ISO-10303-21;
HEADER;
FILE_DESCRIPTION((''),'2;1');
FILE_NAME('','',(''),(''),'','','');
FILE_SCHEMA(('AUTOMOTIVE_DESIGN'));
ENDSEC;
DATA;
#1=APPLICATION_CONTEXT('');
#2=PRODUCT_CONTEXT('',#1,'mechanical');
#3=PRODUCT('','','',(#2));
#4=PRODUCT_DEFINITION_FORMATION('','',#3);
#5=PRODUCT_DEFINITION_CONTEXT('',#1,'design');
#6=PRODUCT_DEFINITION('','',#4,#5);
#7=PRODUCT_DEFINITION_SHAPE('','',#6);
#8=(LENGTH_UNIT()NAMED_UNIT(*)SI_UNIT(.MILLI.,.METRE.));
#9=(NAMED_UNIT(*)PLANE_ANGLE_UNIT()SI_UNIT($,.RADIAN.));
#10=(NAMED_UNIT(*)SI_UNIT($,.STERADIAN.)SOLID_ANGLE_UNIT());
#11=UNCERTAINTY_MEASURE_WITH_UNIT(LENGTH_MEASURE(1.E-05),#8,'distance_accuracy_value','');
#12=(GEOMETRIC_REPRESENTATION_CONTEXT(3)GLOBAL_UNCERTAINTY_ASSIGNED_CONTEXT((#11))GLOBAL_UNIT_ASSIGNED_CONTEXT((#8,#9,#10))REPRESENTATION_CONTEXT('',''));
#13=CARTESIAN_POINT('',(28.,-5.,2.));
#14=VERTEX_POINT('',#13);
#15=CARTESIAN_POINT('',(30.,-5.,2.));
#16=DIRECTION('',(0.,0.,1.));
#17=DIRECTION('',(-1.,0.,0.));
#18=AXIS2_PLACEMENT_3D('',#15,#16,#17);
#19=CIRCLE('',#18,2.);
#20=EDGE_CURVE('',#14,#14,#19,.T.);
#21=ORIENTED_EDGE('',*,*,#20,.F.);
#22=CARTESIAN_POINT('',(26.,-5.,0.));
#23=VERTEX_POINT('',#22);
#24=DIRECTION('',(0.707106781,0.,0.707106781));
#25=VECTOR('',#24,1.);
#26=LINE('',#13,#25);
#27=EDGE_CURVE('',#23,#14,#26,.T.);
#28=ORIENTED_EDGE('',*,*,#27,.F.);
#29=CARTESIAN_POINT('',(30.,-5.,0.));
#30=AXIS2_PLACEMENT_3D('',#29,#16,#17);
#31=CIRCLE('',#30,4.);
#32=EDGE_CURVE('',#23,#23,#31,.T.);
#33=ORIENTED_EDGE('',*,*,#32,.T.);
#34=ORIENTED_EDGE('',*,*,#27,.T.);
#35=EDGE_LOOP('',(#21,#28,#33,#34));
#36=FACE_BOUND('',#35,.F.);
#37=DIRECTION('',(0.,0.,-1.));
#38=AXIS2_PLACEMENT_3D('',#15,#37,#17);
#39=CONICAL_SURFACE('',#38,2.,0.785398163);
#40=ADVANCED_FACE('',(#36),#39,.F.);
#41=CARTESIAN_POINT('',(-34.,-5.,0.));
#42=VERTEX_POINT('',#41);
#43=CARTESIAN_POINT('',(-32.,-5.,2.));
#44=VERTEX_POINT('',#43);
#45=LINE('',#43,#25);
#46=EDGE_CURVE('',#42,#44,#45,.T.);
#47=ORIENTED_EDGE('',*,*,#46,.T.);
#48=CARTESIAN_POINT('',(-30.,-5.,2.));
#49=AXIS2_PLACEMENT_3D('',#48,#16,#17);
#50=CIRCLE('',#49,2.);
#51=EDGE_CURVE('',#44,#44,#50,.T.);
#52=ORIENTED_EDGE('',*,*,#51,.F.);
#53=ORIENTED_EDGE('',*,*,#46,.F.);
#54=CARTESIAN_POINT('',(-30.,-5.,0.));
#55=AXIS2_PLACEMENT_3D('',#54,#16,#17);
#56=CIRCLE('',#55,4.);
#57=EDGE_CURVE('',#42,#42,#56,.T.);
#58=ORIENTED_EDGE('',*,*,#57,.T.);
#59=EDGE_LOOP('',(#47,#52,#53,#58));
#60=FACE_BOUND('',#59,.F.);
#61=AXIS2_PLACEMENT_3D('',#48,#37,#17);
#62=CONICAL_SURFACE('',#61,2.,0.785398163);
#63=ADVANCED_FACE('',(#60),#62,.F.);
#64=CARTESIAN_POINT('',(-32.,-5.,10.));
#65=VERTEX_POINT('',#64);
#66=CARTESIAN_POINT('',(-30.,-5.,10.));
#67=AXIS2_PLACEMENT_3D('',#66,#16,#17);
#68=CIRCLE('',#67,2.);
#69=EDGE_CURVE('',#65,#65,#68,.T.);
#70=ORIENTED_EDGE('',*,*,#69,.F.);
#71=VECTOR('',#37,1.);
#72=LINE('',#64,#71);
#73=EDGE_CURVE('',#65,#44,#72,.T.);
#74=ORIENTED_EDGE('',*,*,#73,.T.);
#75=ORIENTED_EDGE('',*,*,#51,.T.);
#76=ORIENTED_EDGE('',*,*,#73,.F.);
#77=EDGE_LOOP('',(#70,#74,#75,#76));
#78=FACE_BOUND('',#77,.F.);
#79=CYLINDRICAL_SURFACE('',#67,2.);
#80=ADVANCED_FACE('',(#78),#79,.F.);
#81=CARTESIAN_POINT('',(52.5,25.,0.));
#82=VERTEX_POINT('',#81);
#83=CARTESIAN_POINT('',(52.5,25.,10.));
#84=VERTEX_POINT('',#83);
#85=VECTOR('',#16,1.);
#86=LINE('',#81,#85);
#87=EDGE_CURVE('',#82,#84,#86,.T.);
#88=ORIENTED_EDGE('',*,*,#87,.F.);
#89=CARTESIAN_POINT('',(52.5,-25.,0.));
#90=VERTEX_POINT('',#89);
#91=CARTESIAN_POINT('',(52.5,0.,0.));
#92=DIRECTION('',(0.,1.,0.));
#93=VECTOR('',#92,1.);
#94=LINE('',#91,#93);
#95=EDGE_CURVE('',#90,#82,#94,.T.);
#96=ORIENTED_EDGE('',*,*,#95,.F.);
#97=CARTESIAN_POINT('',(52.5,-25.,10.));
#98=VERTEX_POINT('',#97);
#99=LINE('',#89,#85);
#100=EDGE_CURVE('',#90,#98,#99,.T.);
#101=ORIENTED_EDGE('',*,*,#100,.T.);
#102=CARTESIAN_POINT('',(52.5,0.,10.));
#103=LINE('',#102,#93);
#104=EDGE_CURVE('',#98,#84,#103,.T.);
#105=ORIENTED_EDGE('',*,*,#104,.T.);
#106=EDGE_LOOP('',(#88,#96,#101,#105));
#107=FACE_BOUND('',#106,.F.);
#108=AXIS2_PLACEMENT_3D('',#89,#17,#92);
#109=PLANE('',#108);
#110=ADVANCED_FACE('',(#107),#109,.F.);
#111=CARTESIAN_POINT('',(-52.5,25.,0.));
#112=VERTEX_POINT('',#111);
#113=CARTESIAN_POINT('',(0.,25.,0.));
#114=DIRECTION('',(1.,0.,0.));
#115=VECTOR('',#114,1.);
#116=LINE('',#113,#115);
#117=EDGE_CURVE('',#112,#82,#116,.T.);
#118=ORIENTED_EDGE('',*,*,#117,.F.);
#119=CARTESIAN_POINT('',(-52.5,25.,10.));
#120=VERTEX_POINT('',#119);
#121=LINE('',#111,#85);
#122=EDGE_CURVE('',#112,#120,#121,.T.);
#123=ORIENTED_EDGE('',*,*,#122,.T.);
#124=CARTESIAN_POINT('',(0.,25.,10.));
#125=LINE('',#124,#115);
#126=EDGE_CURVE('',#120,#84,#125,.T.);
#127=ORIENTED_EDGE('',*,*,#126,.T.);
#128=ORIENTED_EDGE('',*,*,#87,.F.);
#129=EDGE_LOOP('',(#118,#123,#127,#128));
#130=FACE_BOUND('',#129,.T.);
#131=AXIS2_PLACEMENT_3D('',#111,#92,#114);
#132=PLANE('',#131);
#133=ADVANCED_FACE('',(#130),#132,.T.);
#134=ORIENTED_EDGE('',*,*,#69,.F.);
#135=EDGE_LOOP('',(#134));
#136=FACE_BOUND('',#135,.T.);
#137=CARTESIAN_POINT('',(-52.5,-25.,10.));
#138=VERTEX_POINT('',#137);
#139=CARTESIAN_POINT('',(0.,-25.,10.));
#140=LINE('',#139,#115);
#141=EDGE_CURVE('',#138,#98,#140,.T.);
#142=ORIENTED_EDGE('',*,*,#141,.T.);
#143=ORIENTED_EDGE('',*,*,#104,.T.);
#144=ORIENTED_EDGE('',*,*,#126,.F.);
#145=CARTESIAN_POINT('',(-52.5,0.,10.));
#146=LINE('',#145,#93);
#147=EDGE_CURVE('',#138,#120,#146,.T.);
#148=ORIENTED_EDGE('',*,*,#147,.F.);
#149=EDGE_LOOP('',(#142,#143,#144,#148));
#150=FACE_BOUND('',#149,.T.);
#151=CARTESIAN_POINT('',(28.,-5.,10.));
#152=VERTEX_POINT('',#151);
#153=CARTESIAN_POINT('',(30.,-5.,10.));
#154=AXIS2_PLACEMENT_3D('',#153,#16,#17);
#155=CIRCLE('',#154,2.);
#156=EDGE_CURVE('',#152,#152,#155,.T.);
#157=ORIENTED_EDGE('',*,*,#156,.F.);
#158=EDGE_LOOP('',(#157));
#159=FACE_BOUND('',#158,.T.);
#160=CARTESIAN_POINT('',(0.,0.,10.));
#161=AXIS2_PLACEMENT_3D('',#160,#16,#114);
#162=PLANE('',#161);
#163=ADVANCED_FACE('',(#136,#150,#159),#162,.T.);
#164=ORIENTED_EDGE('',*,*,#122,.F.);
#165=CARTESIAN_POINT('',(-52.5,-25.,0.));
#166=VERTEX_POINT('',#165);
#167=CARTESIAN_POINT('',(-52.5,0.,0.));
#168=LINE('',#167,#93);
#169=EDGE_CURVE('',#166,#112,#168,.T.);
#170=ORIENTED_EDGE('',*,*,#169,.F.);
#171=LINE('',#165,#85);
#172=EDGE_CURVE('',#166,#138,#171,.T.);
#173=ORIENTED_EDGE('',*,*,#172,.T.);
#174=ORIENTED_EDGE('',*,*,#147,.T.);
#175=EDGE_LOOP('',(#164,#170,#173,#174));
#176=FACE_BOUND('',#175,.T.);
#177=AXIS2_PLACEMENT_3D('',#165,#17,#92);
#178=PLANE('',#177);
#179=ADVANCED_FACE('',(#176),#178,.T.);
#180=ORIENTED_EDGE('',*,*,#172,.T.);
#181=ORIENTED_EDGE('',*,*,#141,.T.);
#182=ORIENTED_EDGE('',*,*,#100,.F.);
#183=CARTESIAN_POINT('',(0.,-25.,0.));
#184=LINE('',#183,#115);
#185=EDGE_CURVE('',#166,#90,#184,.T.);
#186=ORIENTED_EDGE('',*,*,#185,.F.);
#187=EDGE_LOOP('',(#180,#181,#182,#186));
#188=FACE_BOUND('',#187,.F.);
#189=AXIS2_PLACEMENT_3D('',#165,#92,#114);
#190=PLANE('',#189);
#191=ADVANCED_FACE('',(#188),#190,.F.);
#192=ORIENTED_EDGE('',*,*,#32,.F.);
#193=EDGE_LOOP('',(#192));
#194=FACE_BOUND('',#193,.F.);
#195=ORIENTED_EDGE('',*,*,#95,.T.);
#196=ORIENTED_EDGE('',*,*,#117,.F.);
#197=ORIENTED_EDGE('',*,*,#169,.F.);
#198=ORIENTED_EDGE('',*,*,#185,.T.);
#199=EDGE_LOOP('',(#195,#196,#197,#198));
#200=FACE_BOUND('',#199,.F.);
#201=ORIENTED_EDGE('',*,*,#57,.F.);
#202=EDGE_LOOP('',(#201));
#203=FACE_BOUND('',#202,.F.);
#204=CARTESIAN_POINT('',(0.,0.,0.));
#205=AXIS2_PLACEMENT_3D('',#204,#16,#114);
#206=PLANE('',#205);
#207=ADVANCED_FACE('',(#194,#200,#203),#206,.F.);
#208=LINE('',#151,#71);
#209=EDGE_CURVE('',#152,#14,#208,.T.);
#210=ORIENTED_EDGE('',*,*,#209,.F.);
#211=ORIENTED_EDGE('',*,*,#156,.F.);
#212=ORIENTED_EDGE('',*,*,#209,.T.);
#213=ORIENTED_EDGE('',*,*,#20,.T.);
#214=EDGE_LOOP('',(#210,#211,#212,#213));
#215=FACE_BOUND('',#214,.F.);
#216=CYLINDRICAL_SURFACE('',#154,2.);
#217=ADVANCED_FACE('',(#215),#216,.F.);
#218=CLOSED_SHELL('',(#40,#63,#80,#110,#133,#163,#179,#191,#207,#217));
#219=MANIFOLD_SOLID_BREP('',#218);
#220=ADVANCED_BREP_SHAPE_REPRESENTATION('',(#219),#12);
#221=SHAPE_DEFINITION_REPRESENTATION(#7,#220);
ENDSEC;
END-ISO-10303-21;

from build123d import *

# Parameters (mm, degrees)
F0_W     = 105
F0_H     = 50
F1_DEPTH = 10
F3_DEPTH = 10.001
F4_SIZE  = 2


with BuildPart() as f1:
    # F0 (on Top) → F1 (new body)
    with BuildSketch(Plane.XY):
        Rectangle(F0_W, F0_H)
    extrude(amount=F1_DEPTH)

    # F2 (on face) → F3 (cut, through all)
    with BuildSketch(Plane.XY.offset(10)):
        with BuildLine():
            ThreePointArc((-28, -5), (-30, -3), (-32, -5))
            Line((-32, -5), (-28, -5))
        make_face()
        with BuildLine():
            Line((-28, -5), (-32, -5))
            ThreePointArc((-32, -5), (-30, -7), (-28, -5))
        make_face()
        with BuildLine():
            ThreePointArc((32, -5), (30, -3), (28, -5))
            Line((28, -5), (32, -5))
        make_face()
        with BuildLine():
            Line((32, -5), (28, -5))
            ThreePointArc((28, -5), (30, -7), (32, -5))
        make_face()
    extrude(amount=-F3_DEPTH, mode=Mode.SUBTRACT)

    # F4
    f4_edges = [f1.edges().sort_by_distance(p)[0] for p in [
        (32, -5, 0),
        (-28, -5, 0),
    ]]
    chamfer(f4_edges, length=F4_SIZE)


solid = f1.part
